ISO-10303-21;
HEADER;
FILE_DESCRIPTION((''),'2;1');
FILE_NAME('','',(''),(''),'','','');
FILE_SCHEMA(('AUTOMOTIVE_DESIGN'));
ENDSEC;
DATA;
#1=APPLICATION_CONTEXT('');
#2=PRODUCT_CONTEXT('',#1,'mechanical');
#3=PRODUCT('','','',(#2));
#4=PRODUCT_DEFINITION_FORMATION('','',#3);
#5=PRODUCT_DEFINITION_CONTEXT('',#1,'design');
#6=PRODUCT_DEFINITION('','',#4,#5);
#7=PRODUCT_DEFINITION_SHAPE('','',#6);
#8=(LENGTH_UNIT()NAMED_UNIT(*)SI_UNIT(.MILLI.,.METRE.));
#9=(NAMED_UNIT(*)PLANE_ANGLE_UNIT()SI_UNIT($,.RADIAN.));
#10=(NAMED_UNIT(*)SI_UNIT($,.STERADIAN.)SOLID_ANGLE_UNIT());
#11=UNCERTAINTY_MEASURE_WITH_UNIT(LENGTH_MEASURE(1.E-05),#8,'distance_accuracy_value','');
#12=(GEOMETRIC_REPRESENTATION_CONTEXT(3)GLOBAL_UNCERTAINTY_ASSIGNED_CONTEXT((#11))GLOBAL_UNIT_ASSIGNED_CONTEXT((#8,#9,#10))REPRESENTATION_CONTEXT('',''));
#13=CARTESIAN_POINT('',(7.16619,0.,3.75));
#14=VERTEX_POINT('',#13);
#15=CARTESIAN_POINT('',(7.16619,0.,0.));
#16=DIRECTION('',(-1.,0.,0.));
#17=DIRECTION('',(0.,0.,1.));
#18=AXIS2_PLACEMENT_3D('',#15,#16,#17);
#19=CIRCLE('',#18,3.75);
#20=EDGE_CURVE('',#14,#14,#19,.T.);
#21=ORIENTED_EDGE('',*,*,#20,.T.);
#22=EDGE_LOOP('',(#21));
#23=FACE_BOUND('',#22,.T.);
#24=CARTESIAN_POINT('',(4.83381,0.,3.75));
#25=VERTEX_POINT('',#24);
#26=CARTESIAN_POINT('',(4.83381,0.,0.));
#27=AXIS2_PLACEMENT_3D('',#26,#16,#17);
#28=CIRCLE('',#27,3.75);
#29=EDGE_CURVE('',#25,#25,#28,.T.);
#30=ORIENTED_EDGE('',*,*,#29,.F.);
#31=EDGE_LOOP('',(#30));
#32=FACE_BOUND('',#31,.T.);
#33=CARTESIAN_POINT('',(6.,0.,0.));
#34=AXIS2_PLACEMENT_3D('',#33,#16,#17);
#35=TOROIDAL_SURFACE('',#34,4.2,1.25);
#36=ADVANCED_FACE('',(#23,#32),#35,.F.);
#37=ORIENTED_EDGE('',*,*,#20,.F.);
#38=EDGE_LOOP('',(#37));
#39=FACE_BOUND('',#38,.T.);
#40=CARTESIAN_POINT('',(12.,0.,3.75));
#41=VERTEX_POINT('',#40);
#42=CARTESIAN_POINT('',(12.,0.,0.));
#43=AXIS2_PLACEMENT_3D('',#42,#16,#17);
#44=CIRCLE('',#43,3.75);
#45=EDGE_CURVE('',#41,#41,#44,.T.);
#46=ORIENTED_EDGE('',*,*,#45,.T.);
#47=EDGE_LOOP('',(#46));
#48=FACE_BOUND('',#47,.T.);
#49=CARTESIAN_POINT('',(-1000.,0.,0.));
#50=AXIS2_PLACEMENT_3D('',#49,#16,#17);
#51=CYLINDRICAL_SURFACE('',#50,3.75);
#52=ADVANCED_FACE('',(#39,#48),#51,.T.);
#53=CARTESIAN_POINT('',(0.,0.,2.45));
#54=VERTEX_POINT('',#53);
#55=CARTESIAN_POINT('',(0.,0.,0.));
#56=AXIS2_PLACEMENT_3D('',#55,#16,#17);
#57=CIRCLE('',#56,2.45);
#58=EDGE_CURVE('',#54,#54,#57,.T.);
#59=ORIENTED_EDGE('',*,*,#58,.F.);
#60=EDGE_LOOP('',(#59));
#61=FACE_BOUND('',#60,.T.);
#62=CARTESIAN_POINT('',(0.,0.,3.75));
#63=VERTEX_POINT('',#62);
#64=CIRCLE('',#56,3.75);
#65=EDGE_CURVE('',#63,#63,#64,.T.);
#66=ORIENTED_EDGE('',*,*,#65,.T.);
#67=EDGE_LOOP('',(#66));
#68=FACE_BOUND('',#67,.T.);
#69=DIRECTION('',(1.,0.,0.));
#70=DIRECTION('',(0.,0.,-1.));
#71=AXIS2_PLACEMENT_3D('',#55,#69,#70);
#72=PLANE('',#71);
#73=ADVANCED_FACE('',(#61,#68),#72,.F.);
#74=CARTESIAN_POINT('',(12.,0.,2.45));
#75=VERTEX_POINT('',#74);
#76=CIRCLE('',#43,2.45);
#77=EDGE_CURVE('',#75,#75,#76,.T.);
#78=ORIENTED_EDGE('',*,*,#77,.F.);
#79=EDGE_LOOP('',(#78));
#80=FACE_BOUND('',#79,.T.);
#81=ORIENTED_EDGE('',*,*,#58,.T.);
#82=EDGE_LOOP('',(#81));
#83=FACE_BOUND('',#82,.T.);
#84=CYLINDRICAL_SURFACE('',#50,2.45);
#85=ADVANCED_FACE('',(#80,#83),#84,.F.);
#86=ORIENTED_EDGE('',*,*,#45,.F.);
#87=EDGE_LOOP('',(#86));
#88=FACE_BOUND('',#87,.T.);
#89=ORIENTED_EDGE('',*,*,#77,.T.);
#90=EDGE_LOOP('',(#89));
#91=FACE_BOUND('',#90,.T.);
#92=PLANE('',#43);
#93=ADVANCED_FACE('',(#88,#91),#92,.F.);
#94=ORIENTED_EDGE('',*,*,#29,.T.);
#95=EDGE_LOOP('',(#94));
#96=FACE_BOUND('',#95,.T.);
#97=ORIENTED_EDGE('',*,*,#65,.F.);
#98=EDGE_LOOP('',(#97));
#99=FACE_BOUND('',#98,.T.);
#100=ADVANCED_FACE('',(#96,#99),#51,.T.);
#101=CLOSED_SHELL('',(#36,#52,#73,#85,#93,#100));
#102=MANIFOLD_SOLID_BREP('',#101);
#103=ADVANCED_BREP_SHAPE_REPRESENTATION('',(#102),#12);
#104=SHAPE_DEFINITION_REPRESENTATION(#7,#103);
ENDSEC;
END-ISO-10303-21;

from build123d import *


with BuildPart() as part:
    # Sketch1 → Revolve4 (revolve)
    with BuildSketch(Plane.XY, mode=Mode.PRIVATE) as revolve4_sk:
        with BuildLine():
            Line((0, 2.45), (12, 2.45))
            Line((12, 2.45), (12, 3.75))
            Line((12, 3.75), (7.166190379, 3.75))
            ThreePointArc((7.166190379, 3.75), (6, 2.95), (4.833809621, 3.75))
            Line((4.833809621, 3.75), (0, 3.75))
            Line((0, 3.75), (0, 2.45))
        make_face()
    revolve(revolve4_sk.sketch.rotate(Axis((-1000, 0, 0), (1, 0, 0)), 90), axis=Axis((-1000, 0, 0), (1, 0, 0)))


solid = part.part
